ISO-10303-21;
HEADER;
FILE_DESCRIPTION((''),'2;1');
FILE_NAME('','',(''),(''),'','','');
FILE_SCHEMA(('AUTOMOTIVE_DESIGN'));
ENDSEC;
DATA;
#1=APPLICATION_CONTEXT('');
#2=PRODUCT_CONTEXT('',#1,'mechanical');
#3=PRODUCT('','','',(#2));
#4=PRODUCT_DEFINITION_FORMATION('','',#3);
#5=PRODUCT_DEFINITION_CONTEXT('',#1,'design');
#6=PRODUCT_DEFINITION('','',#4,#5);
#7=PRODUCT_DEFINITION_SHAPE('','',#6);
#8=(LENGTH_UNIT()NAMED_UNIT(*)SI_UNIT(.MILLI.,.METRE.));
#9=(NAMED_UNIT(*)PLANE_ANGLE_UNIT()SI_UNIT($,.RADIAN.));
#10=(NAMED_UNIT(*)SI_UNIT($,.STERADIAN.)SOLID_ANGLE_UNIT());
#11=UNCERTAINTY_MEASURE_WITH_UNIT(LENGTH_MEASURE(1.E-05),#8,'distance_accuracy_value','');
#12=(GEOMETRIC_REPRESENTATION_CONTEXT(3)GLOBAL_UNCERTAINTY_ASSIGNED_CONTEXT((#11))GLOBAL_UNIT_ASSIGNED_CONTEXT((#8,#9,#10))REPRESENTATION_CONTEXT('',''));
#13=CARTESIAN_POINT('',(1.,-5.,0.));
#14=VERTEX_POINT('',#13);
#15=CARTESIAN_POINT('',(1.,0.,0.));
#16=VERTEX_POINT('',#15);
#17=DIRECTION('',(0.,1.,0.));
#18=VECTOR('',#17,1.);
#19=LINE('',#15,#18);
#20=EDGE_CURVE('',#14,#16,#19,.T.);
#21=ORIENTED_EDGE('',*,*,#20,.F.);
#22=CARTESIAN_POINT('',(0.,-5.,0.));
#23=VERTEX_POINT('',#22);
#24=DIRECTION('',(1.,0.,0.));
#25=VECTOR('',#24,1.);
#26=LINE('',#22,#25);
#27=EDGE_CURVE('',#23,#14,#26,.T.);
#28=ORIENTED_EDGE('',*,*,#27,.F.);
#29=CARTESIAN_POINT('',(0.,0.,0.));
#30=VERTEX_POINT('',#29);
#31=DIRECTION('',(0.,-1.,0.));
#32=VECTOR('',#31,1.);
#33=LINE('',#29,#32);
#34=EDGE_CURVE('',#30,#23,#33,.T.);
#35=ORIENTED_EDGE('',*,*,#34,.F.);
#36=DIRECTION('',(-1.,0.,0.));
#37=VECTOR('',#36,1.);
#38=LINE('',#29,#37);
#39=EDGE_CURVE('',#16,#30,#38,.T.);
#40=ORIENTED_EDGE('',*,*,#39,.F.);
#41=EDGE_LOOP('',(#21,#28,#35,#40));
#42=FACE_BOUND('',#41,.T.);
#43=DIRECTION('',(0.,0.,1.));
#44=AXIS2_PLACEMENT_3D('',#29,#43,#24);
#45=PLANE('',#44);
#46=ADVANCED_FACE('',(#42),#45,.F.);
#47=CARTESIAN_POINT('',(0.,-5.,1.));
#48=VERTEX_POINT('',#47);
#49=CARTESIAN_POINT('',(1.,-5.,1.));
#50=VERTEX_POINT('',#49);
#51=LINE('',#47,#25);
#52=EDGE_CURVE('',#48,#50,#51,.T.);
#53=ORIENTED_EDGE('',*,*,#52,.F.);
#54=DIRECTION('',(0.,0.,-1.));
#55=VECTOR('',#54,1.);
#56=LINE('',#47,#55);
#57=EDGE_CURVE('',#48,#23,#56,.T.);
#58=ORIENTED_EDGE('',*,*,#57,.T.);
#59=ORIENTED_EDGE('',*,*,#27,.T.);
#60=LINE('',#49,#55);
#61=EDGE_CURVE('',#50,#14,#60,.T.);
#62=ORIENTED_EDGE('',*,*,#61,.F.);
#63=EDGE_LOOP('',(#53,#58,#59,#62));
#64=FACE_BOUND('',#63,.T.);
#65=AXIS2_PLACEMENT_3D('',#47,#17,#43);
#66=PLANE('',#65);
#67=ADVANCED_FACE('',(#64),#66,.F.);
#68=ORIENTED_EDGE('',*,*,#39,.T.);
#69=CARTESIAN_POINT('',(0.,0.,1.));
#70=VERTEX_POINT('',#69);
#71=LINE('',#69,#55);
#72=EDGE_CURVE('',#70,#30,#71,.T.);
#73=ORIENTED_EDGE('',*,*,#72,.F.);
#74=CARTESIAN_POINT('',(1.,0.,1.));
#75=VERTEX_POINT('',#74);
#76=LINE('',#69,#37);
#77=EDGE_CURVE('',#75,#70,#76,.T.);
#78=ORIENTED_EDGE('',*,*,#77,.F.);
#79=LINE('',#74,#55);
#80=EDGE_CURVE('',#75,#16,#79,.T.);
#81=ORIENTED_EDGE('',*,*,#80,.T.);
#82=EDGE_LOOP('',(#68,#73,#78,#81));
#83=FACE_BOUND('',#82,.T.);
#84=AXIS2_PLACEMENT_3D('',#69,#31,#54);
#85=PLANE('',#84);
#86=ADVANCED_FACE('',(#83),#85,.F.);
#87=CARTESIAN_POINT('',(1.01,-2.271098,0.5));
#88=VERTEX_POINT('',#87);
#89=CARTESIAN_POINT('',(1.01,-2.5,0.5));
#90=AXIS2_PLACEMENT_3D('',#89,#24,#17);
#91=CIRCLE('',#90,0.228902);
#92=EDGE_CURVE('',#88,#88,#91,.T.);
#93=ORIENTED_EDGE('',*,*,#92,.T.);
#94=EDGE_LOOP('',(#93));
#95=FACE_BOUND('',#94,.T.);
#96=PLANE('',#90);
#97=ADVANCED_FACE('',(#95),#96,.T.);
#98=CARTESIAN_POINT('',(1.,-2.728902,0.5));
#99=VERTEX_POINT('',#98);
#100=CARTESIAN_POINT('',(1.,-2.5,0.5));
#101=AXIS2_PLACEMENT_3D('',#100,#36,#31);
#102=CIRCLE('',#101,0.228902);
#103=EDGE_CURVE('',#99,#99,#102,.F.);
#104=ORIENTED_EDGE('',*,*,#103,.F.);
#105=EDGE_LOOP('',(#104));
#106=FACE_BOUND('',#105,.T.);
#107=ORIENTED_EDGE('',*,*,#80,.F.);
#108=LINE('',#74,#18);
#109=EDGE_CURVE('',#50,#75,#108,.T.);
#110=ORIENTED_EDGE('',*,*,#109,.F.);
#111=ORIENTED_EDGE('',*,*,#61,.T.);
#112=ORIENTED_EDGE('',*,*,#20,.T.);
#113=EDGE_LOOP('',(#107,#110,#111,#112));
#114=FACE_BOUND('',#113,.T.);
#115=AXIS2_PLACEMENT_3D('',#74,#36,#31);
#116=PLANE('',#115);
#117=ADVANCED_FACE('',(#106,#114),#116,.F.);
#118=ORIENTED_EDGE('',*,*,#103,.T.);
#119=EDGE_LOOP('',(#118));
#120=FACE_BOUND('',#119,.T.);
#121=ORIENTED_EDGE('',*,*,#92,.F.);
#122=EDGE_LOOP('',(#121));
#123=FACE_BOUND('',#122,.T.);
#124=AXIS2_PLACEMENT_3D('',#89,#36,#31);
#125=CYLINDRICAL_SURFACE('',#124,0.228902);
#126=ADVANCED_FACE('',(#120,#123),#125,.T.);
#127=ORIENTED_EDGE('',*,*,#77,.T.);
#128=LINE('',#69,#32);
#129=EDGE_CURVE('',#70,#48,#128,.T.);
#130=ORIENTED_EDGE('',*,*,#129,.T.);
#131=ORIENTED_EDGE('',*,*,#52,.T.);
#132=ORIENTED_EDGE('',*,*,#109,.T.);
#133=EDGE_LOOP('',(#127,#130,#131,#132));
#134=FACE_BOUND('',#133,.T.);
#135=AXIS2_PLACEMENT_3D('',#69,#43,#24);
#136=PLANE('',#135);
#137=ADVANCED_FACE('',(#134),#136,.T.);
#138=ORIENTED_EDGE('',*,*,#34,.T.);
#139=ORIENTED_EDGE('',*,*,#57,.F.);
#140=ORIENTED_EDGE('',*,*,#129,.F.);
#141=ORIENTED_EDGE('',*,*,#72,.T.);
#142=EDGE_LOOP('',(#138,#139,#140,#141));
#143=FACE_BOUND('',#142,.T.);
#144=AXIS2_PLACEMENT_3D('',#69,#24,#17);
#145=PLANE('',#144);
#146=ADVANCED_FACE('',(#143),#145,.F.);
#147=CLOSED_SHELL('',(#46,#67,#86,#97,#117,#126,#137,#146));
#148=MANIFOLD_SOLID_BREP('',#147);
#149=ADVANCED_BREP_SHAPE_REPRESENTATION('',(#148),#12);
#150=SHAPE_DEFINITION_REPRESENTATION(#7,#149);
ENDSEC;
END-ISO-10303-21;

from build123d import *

# Parameters (mm, degrees)
SKETCH1_W           = 1
SKETCH1_H           = 5
BOSS_EXTRUDE1_DEPTH = 1
SKETCH2_R           = 0.228902054
BOSS_EXTRUDE2_DEPTH = 0.01


with BuildPart() as part:
    # Sketch1 → Boss-Extrude1 (new body)
    with BuildSketch(Plane.XY):
        with Locations((0.5, -2.5)):
            Rectangle(SKETCH1_W, SKETCH1_H)
    extrude(amount=BOSS_EXTRUDE1_DEPTH)

    # Sketch2 → Boss-Extrude2 (add)
    with BuildSketch(Plane(origin=(1, 0, 0), x_dir=(0, 0, -1), z_dir=(1, 0, 0))):
        with Locations(Location((-0.5, -2.5, 0), (0, 0, 270))):
            Circle(SKETCH2_R)
    extrude(amount=BOSS_EXTRUDE2_DEPTH)


solid = part.part
